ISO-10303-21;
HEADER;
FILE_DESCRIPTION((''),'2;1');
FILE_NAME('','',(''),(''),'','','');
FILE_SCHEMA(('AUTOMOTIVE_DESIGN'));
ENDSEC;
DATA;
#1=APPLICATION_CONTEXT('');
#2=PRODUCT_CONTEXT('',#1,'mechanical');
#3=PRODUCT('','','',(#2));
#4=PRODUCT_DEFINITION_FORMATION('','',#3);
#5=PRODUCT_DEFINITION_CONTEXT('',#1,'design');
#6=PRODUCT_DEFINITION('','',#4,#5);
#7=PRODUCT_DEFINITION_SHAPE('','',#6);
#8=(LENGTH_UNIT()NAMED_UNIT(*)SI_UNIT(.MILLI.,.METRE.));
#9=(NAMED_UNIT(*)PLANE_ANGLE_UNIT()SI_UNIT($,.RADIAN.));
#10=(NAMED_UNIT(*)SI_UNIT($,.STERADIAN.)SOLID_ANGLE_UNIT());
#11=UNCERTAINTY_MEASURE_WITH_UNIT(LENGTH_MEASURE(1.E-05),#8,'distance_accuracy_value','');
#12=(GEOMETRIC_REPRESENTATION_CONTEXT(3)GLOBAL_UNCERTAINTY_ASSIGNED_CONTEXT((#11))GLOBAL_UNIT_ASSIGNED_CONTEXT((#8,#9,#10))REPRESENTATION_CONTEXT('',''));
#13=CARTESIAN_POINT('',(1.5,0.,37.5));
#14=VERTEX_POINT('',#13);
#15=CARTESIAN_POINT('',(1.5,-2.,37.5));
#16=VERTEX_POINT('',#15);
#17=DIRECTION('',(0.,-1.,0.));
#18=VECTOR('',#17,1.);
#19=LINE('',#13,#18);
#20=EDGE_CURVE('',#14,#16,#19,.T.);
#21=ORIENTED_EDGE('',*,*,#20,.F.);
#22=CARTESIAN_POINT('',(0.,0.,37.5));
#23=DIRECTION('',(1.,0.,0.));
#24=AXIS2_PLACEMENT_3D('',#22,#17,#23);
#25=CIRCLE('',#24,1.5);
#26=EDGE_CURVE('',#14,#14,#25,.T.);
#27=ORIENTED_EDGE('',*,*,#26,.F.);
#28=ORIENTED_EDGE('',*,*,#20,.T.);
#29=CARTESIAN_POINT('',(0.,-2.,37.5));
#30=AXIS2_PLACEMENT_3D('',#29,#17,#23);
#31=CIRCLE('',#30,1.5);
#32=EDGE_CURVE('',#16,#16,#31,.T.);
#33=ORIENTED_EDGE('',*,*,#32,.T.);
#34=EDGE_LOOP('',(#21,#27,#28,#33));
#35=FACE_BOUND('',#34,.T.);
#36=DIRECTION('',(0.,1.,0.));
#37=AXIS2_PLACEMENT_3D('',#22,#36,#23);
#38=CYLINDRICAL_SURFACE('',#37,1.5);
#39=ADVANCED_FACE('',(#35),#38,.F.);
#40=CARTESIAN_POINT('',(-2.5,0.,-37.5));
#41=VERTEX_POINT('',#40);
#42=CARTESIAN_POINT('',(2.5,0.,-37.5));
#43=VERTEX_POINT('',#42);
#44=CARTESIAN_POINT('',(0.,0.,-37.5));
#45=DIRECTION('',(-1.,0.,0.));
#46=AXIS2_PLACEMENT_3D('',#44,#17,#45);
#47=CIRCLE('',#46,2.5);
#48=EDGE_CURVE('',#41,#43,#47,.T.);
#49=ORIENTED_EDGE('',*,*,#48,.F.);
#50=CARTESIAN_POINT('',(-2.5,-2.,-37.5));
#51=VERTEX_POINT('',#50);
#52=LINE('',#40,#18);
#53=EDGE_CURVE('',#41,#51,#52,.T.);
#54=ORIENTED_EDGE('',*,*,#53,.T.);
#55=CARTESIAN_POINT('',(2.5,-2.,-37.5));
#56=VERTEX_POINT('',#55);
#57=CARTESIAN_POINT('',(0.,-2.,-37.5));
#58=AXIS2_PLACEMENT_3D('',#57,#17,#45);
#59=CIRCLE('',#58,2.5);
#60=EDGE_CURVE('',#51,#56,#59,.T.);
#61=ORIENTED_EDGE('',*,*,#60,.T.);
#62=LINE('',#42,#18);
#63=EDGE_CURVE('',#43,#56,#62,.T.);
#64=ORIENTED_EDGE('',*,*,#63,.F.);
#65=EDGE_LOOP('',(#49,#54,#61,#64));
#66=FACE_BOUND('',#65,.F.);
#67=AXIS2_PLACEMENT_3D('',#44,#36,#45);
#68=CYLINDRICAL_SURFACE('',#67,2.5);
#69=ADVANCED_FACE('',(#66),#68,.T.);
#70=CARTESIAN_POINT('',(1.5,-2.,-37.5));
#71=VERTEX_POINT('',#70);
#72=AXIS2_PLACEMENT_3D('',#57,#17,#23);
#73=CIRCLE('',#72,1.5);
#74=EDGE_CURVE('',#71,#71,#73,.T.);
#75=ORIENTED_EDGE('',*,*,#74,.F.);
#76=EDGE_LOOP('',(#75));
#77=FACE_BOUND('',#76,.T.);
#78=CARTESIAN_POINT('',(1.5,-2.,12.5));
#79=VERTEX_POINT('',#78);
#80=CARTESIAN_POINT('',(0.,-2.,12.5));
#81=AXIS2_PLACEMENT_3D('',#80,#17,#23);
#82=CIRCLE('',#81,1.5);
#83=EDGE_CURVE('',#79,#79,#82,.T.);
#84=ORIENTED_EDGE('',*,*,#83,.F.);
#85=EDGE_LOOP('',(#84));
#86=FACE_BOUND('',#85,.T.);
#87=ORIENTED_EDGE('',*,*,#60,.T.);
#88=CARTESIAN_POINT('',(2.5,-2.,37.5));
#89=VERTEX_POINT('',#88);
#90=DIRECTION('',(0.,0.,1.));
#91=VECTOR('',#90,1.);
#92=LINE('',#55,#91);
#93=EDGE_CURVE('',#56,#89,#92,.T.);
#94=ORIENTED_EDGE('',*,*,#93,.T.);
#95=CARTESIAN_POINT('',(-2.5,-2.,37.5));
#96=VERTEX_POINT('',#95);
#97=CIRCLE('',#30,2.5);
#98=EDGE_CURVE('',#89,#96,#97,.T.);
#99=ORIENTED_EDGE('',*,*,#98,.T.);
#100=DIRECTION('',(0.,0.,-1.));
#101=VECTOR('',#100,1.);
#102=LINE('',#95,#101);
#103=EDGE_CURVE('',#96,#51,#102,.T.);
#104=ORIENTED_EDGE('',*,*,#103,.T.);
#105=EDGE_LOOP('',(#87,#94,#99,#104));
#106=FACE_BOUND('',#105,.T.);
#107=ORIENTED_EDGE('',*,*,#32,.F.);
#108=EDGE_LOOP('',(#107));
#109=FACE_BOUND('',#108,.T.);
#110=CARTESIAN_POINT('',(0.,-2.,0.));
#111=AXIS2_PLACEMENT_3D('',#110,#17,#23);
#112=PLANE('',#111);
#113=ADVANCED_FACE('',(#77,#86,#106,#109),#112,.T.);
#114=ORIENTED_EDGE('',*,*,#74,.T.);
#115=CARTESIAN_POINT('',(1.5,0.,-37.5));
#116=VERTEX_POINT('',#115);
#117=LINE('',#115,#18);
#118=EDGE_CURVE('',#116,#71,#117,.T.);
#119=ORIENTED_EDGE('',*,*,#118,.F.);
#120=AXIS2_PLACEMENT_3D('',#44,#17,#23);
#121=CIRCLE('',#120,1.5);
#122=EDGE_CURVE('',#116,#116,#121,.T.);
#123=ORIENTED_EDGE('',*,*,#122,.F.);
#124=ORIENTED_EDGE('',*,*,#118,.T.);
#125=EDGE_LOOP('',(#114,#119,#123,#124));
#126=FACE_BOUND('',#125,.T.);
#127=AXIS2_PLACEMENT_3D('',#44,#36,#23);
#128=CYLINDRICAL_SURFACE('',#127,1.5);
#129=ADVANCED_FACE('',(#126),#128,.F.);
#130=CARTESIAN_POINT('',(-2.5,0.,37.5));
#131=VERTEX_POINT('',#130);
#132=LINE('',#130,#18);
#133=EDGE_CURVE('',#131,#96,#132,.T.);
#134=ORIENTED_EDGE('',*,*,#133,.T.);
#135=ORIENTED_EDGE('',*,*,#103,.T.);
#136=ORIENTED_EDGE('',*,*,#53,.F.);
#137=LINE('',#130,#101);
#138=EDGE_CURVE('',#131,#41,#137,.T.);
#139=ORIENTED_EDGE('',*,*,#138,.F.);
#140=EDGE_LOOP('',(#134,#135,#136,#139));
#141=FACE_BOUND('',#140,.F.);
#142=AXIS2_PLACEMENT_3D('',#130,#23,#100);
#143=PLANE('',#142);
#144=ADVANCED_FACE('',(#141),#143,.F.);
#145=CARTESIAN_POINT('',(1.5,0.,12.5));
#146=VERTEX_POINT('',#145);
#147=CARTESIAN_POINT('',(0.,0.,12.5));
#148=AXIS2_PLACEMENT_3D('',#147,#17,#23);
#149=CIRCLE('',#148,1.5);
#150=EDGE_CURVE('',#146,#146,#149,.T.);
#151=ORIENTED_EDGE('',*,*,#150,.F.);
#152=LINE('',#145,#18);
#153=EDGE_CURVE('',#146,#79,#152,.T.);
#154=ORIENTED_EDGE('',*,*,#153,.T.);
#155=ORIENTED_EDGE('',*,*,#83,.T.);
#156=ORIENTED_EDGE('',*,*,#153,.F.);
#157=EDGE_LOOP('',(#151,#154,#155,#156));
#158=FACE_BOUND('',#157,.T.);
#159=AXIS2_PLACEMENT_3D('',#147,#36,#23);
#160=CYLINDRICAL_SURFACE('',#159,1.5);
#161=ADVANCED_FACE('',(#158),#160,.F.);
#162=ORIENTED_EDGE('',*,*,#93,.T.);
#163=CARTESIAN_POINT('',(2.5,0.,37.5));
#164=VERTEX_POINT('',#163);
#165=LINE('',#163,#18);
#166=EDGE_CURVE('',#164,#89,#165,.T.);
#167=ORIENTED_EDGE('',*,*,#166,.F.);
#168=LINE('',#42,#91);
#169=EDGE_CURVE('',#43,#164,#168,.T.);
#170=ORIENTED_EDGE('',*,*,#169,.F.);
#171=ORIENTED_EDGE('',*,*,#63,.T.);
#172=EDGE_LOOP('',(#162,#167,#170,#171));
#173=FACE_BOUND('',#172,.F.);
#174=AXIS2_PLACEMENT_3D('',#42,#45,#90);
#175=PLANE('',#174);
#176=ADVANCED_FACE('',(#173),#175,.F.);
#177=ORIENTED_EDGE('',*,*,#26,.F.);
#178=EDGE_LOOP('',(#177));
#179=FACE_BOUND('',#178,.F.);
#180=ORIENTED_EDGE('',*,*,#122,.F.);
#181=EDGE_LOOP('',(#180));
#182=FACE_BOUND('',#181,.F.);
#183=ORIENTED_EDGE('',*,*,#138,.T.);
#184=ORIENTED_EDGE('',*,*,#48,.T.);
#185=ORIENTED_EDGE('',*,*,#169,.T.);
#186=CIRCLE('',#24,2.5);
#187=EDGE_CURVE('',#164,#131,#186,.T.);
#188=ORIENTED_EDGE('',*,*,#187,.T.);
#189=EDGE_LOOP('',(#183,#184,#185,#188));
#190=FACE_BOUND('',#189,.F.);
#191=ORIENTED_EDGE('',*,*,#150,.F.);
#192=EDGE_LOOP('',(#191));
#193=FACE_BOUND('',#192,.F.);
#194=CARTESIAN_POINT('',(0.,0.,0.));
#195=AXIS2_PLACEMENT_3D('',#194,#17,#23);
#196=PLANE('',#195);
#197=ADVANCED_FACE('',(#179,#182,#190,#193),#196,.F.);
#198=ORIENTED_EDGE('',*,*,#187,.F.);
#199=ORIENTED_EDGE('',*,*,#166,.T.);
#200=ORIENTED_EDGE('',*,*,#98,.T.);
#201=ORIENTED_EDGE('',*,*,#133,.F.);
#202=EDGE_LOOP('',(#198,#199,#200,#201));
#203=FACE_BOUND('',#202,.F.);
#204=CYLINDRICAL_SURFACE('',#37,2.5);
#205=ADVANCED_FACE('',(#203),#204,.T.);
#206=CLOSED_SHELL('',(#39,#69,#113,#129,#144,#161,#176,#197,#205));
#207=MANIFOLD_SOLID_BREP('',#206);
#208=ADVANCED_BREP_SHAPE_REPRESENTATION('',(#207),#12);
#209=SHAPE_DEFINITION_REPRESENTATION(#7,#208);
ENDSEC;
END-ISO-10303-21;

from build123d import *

# Parameters (mm, degrees)
F0_R     = 1.5
F1_DEPTH = 2


with BuildPart() as f1:
    # F0 (on Front) → F1 (new body)
    with BuildSketch(Plane.XZ):
        with BuildLine():
            Line((2.5, -37.5), (2.5, 37.5))
            ThreePointArc((2.5, 37.5), (0, 40), (-2.5, 37.5))
            Line((-2.5, 37.5), (-2.5, -37.5))
            ThreePointArc((-2.5, -37.5), (0, -40), (2.5, -37.5))
        make_face()
        with Locations((0, -37.5)):
            Circle(F0_R, mode=Mode.SUBTRACT)
        with Locations((0, 12.5)):
            Circle(F0_R, mode=Mode.SUBTRACT)
        with Locations((0, 37.5)):
            Circle(F0_R, mode=Mode.SUBTRACT)
    extrude(amount=F1_DEPTH)


solid = f1.part
